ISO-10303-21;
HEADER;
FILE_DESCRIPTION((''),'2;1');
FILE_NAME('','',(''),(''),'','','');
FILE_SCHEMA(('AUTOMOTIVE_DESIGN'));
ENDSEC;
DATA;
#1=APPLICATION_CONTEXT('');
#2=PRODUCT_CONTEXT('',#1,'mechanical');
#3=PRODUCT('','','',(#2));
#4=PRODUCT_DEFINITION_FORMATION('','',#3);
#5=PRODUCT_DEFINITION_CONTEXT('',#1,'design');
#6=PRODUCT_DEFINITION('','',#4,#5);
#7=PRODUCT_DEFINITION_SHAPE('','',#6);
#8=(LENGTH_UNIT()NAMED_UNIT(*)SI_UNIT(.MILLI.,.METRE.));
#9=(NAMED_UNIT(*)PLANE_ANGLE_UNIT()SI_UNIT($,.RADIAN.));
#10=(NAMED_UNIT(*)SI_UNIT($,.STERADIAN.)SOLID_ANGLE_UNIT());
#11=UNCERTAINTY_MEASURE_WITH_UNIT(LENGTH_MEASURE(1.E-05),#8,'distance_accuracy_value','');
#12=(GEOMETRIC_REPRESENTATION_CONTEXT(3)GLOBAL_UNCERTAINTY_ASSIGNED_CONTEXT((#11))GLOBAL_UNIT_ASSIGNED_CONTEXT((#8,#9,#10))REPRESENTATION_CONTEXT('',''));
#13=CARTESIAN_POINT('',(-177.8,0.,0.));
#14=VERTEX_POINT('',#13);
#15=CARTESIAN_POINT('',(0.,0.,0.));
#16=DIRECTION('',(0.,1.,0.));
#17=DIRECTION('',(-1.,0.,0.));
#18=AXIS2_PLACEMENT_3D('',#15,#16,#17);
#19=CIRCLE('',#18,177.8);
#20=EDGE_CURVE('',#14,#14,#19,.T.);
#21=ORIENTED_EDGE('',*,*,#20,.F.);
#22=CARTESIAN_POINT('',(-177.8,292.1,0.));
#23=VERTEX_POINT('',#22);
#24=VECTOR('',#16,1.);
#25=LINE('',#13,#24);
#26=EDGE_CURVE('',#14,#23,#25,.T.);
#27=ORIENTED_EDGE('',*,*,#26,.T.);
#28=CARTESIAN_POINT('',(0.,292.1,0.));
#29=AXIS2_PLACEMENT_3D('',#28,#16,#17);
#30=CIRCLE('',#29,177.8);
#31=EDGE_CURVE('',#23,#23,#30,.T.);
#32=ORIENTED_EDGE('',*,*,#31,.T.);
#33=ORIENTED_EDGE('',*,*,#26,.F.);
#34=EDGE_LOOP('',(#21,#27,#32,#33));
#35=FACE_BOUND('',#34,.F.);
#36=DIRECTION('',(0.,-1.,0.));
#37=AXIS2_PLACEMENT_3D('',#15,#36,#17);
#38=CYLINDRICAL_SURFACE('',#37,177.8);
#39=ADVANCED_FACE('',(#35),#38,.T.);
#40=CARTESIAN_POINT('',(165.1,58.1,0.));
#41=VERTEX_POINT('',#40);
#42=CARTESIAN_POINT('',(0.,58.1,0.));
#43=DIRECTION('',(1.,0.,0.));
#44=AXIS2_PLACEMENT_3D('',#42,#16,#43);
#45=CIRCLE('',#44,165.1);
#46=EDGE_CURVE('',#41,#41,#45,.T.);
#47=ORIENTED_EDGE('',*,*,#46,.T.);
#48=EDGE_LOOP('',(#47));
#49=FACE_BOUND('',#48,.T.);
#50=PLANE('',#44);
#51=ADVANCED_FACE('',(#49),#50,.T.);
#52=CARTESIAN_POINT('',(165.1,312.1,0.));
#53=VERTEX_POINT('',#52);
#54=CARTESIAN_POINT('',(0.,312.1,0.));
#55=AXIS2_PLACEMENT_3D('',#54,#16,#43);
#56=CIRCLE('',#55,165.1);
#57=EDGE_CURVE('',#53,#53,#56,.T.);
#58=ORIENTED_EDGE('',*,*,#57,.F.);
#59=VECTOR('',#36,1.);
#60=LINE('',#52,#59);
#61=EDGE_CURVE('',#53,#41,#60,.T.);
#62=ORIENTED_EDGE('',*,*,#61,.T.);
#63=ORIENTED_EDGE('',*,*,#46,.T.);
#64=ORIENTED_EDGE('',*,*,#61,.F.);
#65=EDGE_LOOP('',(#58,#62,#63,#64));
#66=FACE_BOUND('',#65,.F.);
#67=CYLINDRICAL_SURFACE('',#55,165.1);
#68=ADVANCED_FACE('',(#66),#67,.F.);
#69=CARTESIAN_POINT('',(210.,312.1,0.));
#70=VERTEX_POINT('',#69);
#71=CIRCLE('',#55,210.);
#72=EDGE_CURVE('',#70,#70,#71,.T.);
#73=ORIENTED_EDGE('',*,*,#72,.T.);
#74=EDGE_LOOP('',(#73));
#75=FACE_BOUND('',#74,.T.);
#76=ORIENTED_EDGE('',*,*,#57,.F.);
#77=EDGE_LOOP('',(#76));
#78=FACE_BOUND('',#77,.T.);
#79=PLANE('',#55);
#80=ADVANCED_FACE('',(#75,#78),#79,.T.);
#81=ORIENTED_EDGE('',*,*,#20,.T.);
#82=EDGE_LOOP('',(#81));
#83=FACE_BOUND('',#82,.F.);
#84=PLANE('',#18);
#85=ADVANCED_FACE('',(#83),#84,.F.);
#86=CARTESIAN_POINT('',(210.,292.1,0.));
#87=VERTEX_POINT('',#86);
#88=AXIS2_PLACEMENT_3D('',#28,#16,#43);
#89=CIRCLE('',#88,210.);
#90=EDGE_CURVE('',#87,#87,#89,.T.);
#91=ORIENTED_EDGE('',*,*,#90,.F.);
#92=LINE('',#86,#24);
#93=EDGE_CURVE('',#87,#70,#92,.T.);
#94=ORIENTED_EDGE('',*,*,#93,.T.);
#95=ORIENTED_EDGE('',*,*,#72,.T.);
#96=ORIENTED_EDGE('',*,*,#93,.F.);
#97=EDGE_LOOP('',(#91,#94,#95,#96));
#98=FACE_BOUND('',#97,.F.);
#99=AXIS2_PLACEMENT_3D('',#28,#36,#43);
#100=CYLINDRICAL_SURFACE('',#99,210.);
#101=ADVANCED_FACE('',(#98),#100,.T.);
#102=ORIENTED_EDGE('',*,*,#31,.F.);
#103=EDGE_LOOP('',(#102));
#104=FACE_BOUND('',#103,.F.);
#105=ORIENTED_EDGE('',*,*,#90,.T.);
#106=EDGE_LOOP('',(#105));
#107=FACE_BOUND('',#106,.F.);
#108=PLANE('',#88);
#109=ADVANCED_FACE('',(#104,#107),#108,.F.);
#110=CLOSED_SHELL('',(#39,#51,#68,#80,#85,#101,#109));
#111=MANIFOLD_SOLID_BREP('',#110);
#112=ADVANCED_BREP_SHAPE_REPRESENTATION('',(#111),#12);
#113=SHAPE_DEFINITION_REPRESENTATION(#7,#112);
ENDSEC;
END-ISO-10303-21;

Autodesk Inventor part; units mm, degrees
ref_plane "YZ Plane" through (0, 0, 0) normal (1, 0, 0) x (0, 1, 0)
ref_plane "XZ Plane" through (0, 0, 0) normal (0, 1, 0) x (-1, 0, 0)
ref_plane "XY Plane" through (0, 0, 0) normal (0, 0, 1) x (1, 0, 0)
sketch "Sketch1" plane through (0, 0, 0) normal (0, 1, 0) x (-1, 0, 0)
  circle A0 centre (0, 0) radius 177.8
  dimension "d0" = 355.6
extrude "Extrusion1" add sketch "Sketch1" along normal blind 292.1
sketch "Sketch2" plane through (0, 292.1, 0) normal (0, 1, 0) x (1, 0, 0)
  circle A0 centre (0, 0) radius 210
  dimension "d3" = 420
extrude "Extrusion2" add sketch "Sketch2" along normal blind 20
sketch "Sketch3" plane through (0, 312.1, 0) normal (0, 1, 0) x (1, 0, 0)
  circle A0 centre (0, 0) radius 165.1
  dimension "d6" = 330.2
extrude "Extrusion3" cut sketch "Sketch3" against normal blind 254
properties part number "7gal"
